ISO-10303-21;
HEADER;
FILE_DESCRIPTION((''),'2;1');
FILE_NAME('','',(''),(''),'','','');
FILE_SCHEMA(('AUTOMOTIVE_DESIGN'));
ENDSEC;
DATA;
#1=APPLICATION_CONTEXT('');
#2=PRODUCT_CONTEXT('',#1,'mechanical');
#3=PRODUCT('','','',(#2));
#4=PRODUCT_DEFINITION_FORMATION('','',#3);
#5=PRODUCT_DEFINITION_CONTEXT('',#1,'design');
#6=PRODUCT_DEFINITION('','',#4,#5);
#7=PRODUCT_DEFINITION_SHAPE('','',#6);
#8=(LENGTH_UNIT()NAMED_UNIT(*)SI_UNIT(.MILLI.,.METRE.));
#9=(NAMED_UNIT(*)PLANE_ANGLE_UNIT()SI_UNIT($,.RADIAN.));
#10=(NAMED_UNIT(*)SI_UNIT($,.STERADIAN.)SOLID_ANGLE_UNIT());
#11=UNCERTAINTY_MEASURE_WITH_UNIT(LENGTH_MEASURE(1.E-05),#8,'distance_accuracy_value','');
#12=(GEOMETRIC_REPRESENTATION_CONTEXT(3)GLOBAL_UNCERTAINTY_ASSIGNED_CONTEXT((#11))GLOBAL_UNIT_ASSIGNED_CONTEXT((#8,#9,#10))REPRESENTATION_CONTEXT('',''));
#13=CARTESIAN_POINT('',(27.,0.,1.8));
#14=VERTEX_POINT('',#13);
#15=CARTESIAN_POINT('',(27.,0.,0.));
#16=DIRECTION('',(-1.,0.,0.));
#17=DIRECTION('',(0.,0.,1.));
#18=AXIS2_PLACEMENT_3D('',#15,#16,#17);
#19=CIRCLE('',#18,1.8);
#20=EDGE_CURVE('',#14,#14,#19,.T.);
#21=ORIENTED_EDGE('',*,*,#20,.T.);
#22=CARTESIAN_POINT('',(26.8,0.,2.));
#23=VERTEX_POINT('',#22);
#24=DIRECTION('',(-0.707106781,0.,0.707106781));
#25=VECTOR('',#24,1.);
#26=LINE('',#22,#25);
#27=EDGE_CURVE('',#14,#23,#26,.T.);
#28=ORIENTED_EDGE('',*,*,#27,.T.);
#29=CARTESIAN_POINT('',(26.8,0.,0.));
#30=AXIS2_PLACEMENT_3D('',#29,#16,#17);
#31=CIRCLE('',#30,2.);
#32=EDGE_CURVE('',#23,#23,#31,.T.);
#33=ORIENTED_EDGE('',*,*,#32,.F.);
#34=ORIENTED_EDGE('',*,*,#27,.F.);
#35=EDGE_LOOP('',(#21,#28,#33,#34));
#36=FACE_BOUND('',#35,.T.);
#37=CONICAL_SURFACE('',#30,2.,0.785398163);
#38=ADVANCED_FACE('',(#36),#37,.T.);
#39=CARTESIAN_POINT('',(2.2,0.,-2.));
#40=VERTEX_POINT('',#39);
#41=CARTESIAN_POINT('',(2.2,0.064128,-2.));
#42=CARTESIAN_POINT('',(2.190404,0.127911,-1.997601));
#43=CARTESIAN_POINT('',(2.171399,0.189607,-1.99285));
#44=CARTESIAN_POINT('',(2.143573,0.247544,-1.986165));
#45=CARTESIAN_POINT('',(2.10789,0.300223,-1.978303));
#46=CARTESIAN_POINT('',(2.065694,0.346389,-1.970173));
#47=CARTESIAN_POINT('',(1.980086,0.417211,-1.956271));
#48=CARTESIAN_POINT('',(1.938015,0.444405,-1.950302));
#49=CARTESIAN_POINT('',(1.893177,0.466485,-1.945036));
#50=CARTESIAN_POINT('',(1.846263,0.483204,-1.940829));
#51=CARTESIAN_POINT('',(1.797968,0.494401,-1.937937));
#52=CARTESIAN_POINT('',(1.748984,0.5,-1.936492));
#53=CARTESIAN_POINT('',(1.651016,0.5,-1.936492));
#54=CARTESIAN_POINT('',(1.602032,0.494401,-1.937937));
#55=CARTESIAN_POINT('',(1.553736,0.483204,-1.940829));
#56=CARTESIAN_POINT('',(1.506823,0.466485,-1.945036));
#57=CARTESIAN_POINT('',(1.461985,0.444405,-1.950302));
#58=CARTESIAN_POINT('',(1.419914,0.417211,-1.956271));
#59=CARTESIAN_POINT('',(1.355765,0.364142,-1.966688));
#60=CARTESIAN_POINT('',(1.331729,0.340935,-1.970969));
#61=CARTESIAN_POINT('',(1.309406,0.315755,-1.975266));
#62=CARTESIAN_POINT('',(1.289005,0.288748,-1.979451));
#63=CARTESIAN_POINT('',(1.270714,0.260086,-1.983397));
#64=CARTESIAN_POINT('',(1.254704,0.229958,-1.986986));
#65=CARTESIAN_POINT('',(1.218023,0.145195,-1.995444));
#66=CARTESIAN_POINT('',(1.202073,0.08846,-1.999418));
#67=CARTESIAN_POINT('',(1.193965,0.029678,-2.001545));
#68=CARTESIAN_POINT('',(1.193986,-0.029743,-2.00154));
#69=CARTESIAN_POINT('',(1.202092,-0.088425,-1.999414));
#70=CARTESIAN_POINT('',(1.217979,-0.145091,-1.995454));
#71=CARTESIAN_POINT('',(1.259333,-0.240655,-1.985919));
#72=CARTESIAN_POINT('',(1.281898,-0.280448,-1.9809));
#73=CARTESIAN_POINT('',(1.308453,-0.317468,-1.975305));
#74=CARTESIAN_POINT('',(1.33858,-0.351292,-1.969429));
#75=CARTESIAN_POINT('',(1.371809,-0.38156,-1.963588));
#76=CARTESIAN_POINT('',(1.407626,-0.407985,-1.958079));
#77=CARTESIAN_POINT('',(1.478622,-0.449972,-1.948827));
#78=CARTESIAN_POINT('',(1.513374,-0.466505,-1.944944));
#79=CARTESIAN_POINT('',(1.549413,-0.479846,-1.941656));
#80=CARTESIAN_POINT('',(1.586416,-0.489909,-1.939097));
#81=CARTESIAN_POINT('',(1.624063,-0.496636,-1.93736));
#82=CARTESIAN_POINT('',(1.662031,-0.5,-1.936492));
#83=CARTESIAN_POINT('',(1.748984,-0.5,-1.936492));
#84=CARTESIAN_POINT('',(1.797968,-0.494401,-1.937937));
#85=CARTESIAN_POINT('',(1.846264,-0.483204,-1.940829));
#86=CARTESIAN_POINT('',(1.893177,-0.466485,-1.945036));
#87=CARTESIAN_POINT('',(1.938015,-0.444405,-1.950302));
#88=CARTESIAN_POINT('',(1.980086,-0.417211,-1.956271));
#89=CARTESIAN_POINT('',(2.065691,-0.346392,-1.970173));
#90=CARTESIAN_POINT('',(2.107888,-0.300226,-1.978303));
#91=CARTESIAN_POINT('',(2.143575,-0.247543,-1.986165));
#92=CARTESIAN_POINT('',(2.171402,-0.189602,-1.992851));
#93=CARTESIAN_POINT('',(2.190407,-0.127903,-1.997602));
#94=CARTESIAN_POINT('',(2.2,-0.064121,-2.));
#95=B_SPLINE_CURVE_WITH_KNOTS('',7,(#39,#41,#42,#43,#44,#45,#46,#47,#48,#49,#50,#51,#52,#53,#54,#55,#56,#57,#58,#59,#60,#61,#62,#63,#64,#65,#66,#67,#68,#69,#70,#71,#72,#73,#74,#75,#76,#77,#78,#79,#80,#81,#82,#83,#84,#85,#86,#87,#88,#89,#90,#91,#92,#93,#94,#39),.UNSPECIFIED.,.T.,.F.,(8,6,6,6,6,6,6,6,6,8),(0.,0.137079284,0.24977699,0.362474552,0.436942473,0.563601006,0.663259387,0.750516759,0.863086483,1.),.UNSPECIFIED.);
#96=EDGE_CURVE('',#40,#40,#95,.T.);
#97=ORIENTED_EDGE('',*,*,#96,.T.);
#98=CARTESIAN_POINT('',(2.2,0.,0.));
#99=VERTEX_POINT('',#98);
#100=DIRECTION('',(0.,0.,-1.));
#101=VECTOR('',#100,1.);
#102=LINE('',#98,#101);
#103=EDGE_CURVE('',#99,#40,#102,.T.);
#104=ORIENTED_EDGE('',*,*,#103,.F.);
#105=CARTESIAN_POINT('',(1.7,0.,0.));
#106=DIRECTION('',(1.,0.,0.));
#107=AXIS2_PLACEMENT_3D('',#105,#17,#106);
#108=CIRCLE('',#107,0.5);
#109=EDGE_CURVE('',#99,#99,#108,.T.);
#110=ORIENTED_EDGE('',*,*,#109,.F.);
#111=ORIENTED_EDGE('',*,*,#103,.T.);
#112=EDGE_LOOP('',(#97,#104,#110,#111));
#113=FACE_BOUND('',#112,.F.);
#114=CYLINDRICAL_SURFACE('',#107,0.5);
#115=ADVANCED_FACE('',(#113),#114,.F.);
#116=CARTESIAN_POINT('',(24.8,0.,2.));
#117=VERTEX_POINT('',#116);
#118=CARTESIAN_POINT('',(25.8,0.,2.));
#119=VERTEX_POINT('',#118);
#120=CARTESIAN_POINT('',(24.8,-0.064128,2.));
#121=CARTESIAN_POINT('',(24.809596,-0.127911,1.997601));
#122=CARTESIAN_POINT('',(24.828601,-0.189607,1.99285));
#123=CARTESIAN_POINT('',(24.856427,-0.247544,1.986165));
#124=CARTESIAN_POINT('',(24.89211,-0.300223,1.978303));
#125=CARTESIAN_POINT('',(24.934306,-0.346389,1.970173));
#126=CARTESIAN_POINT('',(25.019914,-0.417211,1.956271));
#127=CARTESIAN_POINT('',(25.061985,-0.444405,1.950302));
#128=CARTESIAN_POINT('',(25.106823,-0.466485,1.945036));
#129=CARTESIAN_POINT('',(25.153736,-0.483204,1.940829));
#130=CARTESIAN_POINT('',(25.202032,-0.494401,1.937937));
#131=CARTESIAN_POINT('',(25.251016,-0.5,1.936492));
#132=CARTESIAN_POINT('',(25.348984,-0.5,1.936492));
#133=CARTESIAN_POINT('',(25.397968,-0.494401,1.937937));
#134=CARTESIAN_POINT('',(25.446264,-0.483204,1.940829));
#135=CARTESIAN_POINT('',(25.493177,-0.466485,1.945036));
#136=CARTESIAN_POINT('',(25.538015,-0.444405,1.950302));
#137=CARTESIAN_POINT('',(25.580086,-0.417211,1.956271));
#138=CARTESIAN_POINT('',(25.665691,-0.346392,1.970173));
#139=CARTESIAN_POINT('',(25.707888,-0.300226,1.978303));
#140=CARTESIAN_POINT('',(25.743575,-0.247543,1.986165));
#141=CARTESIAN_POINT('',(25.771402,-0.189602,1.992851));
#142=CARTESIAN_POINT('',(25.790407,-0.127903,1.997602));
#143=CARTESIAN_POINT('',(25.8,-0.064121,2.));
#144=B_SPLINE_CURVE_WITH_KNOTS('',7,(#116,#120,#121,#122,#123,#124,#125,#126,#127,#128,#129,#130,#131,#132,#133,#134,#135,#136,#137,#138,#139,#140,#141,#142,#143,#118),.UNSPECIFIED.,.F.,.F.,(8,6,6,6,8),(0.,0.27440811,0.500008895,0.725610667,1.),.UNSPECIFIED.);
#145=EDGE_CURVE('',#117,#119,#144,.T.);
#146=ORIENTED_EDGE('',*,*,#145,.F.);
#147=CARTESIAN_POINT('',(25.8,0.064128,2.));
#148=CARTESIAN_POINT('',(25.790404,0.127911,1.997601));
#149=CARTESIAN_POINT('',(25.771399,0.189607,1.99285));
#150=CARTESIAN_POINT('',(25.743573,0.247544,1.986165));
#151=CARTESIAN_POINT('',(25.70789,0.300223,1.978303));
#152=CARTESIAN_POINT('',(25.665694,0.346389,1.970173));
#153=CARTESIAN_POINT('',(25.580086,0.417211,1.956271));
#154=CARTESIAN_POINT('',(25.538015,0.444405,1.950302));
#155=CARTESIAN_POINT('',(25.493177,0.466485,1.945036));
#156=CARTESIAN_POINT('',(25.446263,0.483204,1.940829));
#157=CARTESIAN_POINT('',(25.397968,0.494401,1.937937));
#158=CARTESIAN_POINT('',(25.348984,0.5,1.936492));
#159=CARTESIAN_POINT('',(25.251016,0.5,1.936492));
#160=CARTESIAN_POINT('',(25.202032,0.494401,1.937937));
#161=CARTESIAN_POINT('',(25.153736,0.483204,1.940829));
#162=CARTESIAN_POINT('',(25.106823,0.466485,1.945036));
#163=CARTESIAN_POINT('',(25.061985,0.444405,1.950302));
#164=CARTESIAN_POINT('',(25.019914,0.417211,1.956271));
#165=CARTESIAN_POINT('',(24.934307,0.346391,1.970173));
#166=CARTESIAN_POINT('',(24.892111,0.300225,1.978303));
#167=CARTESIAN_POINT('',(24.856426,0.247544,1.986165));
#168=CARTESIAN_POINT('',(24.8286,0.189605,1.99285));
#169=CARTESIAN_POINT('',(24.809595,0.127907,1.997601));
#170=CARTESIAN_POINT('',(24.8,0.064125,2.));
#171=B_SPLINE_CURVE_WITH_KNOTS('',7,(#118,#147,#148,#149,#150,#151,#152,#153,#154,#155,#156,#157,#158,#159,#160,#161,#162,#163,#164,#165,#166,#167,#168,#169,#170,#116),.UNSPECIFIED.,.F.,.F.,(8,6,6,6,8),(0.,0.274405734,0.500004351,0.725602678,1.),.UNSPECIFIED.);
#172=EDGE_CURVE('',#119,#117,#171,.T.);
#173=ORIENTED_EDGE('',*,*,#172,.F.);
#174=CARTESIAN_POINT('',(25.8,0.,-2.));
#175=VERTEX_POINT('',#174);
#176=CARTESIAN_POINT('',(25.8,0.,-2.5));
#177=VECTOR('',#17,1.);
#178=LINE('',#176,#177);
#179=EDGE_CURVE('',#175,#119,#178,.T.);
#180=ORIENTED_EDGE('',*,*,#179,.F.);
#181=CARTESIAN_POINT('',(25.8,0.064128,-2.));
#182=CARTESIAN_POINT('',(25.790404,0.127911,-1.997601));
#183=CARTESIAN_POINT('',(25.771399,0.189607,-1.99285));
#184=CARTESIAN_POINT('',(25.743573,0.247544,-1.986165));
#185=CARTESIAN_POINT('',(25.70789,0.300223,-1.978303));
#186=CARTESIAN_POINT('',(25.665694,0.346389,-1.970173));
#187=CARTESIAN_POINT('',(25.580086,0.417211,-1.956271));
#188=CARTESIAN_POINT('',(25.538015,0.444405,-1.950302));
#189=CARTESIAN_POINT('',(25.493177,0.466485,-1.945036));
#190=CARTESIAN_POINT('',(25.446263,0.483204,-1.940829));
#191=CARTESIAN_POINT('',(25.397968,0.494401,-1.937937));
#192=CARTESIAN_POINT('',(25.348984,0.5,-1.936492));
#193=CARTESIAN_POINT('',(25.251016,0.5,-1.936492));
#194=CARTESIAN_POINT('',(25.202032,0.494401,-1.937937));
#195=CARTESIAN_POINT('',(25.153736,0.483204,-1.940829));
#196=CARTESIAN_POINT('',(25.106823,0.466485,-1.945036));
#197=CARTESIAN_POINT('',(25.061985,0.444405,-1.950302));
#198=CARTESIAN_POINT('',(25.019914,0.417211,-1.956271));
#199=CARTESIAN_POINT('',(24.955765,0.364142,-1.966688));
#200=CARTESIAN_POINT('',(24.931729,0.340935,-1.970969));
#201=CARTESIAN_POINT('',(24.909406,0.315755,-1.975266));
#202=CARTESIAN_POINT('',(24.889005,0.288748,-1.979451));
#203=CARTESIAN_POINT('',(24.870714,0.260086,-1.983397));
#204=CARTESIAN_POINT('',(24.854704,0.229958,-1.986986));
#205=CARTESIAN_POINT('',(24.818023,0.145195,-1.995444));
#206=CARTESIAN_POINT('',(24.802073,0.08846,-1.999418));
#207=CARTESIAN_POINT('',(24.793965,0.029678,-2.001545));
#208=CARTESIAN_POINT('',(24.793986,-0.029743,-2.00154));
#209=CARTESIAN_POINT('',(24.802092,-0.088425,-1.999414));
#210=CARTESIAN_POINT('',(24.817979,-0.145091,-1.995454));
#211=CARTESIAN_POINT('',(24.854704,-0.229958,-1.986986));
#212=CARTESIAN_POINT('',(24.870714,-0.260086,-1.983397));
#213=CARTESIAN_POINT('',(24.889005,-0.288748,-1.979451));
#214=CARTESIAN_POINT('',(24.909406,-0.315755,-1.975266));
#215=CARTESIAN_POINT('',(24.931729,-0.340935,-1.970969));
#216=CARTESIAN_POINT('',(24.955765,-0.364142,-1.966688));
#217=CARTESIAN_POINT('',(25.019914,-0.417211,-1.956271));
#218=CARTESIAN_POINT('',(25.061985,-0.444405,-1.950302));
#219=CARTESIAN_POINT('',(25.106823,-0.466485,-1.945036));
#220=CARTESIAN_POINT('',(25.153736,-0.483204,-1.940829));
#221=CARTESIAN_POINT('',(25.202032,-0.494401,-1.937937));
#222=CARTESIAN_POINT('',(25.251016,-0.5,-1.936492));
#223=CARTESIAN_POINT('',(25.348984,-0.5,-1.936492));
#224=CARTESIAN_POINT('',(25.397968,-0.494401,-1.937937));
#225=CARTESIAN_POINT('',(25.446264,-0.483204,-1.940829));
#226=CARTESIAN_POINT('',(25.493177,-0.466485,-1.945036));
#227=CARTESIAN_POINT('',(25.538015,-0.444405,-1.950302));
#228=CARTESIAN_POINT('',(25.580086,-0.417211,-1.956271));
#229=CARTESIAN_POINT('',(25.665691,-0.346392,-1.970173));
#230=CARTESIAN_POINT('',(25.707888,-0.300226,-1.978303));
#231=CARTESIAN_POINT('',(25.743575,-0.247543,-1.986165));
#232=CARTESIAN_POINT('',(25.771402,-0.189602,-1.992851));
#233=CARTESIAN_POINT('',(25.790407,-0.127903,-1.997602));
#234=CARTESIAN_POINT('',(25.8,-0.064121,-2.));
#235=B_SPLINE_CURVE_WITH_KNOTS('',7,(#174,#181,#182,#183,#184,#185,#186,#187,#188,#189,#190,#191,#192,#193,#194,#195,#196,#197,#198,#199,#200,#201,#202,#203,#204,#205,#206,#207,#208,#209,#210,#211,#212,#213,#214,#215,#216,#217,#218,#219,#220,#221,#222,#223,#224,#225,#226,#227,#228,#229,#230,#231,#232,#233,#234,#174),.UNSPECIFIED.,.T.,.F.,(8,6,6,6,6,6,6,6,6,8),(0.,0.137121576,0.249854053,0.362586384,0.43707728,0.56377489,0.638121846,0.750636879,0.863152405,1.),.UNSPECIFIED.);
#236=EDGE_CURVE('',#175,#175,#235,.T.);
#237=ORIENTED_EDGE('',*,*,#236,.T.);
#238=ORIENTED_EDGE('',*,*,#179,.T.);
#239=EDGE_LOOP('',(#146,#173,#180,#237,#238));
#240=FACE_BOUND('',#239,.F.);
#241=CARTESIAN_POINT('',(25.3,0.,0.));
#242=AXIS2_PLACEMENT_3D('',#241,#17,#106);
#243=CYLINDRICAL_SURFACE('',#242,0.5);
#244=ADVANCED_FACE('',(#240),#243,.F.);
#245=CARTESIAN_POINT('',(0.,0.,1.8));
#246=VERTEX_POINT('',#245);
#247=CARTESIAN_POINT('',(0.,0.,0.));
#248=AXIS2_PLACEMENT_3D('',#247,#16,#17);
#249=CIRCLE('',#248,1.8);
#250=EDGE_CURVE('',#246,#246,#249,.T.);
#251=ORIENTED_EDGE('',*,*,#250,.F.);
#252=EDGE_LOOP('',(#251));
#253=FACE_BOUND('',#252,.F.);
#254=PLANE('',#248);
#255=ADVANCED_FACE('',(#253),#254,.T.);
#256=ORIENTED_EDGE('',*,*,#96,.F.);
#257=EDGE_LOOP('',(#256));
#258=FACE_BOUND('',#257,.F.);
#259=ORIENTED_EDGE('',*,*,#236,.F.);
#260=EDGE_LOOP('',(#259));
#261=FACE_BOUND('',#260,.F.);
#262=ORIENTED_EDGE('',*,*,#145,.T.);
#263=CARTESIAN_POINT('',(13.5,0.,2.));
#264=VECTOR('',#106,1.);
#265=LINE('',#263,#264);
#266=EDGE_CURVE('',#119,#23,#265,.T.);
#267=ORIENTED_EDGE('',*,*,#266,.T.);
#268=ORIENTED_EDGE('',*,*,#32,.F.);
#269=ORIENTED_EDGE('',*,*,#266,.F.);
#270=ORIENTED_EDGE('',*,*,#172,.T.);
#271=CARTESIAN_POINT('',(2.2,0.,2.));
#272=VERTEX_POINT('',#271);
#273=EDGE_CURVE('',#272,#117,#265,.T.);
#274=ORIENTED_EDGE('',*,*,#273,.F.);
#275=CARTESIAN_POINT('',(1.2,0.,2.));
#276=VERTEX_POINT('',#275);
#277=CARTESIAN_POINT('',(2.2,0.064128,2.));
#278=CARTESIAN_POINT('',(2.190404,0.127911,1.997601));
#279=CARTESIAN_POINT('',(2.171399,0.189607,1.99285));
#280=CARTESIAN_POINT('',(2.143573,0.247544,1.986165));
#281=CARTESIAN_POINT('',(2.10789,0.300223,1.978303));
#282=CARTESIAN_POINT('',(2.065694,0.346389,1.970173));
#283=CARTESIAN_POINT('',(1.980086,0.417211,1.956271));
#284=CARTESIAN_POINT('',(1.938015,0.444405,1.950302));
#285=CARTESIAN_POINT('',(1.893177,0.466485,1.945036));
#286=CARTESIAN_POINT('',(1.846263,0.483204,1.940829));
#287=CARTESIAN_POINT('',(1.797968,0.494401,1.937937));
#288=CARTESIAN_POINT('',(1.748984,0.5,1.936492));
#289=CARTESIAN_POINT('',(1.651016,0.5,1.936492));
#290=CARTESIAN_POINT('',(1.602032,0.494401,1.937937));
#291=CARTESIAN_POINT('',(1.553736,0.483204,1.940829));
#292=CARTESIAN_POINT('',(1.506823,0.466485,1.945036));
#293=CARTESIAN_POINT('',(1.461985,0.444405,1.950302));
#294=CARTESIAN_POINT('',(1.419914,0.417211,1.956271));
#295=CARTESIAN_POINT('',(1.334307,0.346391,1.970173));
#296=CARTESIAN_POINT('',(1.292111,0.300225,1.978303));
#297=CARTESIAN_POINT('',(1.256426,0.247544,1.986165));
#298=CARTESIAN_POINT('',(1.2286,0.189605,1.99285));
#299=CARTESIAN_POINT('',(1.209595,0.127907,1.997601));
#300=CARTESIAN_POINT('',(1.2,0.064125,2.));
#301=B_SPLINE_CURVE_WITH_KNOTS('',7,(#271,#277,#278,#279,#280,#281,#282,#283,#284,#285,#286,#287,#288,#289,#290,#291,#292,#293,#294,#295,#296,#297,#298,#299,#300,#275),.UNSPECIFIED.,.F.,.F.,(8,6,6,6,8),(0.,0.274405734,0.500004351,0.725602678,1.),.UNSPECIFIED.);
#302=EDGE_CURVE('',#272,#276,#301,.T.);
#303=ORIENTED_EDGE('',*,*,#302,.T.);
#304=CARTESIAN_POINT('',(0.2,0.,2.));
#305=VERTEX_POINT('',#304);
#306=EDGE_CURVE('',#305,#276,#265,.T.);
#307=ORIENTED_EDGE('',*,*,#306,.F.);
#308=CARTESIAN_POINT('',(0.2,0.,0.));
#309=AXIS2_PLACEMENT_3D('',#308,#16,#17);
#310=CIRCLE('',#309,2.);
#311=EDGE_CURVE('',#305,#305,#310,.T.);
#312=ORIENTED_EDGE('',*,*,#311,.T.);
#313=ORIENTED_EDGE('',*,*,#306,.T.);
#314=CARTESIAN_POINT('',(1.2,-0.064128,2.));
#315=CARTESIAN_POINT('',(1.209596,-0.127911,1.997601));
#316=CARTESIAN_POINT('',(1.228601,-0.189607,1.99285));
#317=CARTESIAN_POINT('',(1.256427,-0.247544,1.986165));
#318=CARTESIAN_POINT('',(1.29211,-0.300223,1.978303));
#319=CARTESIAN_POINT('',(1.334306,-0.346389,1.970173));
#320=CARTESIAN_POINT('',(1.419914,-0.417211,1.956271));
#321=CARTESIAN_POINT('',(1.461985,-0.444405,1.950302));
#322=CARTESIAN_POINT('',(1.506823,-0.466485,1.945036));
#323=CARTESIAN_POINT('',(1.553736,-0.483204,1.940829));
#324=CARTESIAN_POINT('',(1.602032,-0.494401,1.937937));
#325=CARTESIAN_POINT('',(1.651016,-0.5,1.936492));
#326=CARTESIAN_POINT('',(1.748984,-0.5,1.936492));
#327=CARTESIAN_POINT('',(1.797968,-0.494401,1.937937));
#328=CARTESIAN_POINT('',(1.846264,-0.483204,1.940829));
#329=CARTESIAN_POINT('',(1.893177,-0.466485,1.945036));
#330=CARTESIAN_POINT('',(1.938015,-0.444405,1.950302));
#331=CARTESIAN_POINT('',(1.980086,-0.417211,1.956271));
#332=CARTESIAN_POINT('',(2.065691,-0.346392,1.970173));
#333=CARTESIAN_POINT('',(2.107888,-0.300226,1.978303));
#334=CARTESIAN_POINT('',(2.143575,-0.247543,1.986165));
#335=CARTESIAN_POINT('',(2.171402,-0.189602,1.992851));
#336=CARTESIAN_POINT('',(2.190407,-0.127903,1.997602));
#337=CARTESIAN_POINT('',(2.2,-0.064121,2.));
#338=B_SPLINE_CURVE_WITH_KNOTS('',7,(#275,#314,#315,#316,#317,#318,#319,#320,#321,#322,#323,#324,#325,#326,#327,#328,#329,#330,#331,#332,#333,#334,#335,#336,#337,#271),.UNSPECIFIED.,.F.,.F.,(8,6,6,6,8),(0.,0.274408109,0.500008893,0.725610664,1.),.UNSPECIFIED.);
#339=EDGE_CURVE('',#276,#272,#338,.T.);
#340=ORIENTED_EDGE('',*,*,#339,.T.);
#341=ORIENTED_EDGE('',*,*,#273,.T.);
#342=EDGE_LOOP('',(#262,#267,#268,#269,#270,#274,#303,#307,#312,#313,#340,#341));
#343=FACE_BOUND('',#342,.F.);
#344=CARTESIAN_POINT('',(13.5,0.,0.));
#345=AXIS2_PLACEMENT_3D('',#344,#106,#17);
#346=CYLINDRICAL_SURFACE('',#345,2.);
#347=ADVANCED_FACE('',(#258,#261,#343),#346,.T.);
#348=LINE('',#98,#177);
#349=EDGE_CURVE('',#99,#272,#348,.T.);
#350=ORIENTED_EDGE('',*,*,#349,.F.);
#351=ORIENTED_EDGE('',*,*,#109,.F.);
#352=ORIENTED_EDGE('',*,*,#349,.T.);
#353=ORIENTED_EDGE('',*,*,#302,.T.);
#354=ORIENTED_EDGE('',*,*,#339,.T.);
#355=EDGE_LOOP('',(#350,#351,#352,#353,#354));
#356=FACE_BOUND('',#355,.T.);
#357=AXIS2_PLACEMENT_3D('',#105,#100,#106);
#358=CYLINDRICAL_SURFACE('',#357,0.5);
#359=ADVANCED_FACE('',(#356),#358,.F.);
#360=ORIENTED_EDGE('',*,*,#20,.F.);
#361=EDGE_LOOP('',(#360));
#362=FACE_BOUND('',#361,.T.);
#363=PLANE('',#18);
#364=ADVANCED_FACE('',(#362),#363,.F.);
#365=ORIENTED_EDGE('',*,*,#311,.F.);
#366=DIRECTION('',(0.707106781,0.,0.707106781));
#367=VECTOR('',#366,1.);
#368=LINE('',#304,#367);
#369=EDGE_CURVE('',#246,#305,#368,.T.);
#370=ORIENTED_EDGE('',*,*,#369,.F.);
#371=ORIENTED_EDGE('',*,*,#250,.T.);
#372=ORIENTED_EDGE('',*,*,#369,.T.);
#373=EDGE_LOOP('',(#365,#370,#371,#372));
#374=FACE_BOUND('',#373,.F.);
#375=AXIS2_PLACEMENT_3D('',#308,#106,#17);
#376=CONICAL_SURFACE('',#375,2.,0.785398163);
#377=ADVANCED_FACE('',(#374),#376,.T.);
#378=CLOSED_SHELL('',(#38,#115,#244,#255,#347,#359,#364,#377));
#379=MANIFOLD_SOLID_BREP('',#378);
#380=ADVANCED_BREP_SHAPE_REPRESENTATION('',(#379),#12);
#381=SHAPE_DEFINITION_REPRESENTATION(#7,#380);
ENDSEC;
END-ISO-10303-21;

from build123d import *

# Parameters (mm, degrees)
F0_W     = 27
F0_H     = 2
F2_SIZE  = 0.2
F3_R     = 0.5
F4_DEPTH = 2.5


with BuildPart() as f1:
    # F0 (on Front) → F1 (revolve)
    with BuildSketch(Plane.XZ):
        with Locations((13.5, 1)):
            Rectangle(F0_W, F0_H)
    revolve(axis=Axis((13.5, 0, 0), (-1, 0, 0)))

    # F2
    f2_edges = [f1.edges().sort_by_distance(p)[0] for p in [
        (0, 0, -2),
        (27, 0, -2),
    ]]
    chamfer(f2_edges, length=F2_SIZE)

    # F3 (on Top) → F4 (cut, symmetric)
    with BuildSketch(Plane.XY):
        with Locations((1.7, 0)):
            Circle(F3_R)
        with Locations((25.3, 0)):
            Circle(F3_R)
    extrude(amount=F4_DEPTH, both=True, mode=Mode.SUBTRACT)


solid = f1.part
